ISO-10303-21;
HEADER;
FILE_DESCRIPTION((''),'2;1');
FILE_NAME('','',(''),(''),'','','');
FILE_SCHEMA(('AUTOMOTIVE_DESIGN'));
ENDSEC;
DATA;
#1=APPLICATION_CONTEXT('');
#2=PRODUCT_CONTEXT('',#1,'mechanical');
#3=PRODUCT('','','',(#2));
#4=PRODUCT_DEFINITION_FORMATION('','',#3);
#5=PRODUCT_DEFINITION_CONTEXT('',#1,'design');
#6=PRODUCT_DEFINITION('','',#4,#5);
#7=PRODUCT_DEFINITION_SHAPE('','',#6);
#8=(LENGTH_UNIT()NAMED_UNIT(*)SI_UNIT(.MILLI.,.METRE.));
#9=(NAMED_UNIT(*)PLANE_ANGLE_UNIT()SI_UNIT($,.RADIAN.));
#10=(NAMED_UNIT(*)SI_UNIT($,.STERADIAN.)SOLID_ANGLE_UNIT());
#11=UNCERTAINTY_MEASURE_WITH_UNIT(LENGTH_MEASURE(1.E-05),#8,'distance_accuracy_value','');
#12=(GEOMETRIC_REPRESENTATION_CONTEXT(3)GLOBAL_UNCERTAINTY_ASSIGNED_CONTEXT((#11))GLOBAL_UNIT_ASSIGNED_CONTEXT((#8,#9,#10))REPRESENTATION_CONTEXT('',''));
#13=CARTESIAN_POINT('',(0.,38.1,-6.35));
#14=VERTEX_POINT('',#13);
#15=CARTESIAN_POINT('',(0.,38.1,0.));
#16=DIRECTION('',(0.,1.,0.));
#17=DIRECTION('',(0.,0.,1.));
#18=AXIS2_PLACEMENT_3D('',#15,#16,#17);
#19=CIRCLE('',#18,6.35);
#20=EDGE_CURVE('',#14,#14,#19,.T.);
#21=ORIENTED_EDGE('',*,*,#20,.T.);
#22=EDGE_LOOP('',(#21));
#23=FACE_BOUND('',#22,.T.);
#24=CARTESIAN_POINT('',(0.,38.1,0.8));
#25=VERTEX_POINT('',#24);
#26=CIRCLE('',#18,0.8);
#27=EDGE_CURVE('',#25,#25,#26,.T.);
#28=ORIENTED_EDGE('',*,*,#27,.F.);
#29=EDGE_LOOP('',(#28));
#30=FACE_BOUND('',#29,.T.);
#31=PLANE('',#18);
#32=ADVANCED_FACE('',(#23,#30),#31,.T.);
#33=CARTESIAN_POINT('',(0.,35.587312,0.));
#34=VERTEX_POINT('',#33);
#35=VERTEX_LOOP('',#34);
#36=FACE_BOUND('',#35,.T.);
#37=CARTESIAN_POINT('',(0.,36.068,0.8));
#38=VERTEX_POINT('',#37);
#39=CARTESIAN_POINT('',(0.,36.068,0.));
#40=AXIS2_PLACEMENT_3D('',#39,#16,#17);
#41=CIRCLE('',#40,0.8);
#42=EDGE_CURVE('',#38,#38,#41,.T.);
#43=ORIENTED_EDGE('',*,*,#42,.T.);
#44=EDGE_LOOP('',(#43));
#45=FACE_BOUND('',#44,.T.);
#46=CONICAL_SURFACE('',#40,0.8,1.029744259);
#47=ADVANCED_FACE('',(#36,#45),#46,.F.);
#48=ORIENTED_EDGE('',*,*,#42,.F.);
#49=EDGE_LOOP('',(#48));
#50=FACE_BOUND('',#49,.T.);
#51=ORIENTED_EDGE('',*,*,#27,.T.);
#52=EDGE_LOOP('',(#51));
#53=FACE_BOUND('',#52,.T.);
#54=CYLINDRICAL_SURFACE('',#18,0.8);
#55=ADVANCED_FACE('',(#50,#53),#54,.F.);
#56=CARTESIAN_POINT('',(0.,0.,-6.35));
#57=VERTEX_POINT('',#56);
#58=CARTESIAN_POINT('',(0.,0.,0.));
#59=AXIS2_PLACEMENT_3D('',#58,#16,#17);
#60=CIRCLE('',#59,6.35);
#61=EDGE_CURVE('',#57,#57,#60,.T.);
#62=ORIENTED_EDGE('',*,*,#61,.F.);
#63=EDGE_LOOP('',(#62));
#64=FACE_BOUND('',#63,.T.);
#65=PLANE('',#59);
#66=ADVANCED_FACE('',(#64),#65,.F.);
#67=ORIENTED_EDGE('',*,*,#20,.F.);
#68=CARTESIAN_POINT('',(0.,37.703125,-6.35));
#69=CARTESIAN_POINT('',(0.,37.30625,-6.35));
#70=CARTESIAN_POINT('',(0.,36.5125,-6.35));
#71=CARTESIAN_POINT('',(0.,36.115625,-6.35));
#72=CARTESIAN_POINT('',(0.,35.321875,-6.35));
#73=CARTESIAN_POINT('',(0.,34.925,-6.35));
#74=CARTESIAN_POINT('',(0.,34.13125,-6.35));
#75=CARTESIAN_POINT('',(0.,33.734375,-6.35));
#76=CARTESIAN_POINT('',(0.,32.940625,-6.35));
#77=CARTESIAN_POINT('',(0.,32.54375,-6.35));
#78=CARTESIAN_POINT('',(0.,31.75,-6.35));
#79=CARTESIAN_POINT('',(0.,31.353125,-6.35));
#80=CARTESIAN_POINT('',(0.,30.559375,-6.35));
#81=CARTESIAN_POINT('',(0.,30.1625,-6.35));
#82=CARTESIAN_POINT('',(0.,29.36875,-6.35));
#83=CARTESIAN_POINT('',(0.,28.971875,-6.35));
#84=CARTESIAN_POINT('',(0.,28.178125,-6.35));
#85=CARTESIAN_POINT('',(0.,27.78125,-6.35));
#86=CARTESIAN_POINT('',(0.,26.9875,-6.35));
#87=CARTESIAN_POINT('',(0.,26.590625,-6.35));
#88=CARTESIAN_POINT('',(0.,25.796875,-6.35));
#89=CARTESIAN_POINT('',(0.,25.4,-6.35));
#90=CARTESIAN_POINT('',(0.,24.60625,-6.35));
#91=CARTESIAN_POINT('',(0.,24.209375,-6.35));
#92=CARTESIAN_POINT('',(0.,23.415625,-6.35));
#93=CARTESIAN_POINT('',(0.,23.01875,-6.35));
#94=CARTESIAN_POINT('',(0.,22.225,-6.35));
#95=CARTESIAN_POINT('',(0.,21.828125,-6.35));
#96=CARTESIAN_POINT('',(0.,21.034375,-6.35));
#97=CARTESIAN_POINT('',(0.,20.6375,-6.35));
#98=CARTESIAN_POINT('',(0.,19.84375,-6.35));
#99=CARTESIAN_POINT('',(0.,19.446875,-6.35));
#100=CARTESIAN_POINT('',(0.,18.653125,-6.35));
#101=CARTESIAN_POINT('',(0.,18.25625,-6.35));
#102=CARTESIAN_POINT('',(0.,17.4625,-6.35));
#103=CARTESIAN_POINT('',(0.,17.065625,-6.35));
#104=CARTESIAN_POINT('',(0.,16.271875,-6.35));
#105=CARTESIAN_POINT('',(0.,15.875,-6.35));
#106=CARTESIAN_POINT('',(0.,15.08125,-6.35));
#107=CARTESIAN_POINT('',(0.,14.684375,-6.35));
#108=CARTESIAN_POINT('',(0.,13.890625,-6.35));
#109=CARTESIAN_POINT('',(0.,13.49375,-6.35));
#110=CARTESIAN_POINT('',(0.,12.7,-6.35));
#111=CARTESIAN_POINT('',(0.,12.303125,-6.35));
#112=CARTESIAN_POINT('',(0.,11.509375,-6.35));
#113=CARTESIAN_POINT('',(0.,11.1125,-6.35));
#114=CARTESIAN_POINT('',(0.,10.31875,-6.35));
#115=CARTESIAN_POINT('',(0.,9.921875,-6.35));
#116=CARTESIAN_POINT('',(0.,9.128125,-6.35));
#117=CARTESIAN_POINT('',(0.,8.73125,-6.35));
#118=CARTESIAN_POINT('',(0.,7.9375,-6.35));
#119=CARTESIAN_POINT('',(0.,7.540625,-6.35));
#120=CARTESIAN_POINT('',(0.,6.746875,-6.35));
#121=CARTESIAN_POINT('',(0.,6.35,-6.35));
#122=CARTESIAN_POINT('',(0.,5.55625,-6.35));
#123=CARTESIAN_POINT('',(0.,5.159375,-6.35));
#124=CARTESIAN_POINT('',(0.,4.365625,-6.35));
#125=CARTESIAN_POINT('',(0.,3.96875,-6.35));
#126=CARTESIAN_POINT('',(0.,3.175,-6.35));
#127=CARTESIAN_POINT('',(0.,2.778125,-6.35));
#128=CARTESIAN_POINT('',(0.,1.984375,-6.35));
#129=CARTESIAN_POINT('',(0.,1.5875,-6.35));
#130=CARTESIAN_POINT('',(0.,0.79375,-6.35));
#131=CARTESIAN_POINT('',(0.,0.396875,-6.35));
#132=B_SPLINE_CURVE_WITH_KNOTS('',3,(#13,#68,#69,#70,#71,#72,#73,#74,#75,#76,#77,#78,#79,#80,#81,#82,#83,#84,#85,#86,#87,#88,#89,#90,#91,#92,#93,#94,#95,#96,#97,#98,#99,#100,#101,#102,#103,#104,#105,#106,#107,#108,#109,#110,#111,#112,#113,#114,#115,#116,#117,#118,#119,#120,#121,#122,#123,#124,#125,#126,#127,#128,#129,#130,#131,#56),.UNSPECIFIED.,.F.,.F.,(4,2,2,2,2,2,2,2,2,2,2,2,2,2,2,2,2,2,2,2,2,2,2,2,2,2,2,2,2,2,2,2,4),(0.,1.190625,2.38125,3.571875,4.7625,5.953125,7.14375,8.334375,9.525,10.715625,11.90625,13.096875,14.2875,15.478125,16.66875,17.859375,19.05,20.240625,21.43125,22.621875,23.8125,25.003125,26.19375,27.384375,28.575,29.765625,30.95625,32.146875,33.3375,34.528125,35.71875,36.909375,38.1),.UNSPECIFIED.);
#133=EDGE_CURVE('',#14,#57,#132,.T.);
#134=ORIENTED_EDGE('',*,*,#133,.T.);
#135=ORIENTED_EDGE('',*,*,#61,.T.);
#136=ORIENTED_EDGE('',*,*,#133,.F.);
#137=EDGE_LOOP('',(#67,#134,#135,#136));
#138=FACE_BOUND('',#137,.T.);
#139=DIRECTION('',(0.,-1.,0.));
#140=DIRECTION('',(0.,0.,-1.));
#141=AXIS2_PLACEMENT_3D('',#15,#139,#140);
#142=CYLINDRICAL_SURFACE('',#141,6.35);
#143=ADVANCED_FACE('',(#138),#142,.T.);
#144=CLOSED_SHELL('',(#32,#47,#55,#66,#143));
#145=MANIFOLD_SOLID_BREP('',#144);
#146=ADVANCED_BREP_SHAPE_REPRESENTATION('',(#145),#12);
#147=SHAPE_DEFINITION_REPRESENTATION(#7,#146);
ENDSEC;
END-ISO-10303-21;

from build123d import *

# Parameters (mm, degrees)
SKETCH1_R                 = 6.35
BOSS_EXTRUDE1_DEPTH       = 38.1
M2X0_4_TAPPED_HOLE1_D     = 1.6
M2X0_4_TAPPED_HOLE1_DEPTH = 2.032
M2X0_4_TAPPED_HOLE1_TIP   = 0.480688495


with BuildPart() as part:
    # Sketch1 → Boss-Extrude1 (new body)
    with BuildSketch(Plane(origin=(0, 0, 0), x_dir=(1, 0, 0), z_dir=(0, 1, 0))):
        with Locations(Location((0, 0, 0), (0, 0, 90))):
            Circle(SKETCH1_R)
    extrude(amount=BOSS_EXTRUDE1_DEPTH)

    # M2x0.4 Tapped Hole1
    with Locations(Plane(origin=(0, 38.1, 0), x_dir=(1, 0, 0), z_dir=(0, 1, 0))):
        with Locations((0, 0)):
            Hole(M2X0_4_TAPPED_HOLE1_D / 2, depth=M2X0_4_TAPPED_HOLE1_DEPTH)
            with Locations((0, 0, -(M2X0_4_TAPPED_HOLE1_DEPTH + M2X0_4_TAPPED_HOLE1_TIP / 2))):  # 118° drill point
                Cone(0, M2X0_4_TAPPED_HOLE1_D / 2, M2X0_4_TAPPED_HOLE1_TIP, mode=Mode.SUBTRACT)


solid = part.part
